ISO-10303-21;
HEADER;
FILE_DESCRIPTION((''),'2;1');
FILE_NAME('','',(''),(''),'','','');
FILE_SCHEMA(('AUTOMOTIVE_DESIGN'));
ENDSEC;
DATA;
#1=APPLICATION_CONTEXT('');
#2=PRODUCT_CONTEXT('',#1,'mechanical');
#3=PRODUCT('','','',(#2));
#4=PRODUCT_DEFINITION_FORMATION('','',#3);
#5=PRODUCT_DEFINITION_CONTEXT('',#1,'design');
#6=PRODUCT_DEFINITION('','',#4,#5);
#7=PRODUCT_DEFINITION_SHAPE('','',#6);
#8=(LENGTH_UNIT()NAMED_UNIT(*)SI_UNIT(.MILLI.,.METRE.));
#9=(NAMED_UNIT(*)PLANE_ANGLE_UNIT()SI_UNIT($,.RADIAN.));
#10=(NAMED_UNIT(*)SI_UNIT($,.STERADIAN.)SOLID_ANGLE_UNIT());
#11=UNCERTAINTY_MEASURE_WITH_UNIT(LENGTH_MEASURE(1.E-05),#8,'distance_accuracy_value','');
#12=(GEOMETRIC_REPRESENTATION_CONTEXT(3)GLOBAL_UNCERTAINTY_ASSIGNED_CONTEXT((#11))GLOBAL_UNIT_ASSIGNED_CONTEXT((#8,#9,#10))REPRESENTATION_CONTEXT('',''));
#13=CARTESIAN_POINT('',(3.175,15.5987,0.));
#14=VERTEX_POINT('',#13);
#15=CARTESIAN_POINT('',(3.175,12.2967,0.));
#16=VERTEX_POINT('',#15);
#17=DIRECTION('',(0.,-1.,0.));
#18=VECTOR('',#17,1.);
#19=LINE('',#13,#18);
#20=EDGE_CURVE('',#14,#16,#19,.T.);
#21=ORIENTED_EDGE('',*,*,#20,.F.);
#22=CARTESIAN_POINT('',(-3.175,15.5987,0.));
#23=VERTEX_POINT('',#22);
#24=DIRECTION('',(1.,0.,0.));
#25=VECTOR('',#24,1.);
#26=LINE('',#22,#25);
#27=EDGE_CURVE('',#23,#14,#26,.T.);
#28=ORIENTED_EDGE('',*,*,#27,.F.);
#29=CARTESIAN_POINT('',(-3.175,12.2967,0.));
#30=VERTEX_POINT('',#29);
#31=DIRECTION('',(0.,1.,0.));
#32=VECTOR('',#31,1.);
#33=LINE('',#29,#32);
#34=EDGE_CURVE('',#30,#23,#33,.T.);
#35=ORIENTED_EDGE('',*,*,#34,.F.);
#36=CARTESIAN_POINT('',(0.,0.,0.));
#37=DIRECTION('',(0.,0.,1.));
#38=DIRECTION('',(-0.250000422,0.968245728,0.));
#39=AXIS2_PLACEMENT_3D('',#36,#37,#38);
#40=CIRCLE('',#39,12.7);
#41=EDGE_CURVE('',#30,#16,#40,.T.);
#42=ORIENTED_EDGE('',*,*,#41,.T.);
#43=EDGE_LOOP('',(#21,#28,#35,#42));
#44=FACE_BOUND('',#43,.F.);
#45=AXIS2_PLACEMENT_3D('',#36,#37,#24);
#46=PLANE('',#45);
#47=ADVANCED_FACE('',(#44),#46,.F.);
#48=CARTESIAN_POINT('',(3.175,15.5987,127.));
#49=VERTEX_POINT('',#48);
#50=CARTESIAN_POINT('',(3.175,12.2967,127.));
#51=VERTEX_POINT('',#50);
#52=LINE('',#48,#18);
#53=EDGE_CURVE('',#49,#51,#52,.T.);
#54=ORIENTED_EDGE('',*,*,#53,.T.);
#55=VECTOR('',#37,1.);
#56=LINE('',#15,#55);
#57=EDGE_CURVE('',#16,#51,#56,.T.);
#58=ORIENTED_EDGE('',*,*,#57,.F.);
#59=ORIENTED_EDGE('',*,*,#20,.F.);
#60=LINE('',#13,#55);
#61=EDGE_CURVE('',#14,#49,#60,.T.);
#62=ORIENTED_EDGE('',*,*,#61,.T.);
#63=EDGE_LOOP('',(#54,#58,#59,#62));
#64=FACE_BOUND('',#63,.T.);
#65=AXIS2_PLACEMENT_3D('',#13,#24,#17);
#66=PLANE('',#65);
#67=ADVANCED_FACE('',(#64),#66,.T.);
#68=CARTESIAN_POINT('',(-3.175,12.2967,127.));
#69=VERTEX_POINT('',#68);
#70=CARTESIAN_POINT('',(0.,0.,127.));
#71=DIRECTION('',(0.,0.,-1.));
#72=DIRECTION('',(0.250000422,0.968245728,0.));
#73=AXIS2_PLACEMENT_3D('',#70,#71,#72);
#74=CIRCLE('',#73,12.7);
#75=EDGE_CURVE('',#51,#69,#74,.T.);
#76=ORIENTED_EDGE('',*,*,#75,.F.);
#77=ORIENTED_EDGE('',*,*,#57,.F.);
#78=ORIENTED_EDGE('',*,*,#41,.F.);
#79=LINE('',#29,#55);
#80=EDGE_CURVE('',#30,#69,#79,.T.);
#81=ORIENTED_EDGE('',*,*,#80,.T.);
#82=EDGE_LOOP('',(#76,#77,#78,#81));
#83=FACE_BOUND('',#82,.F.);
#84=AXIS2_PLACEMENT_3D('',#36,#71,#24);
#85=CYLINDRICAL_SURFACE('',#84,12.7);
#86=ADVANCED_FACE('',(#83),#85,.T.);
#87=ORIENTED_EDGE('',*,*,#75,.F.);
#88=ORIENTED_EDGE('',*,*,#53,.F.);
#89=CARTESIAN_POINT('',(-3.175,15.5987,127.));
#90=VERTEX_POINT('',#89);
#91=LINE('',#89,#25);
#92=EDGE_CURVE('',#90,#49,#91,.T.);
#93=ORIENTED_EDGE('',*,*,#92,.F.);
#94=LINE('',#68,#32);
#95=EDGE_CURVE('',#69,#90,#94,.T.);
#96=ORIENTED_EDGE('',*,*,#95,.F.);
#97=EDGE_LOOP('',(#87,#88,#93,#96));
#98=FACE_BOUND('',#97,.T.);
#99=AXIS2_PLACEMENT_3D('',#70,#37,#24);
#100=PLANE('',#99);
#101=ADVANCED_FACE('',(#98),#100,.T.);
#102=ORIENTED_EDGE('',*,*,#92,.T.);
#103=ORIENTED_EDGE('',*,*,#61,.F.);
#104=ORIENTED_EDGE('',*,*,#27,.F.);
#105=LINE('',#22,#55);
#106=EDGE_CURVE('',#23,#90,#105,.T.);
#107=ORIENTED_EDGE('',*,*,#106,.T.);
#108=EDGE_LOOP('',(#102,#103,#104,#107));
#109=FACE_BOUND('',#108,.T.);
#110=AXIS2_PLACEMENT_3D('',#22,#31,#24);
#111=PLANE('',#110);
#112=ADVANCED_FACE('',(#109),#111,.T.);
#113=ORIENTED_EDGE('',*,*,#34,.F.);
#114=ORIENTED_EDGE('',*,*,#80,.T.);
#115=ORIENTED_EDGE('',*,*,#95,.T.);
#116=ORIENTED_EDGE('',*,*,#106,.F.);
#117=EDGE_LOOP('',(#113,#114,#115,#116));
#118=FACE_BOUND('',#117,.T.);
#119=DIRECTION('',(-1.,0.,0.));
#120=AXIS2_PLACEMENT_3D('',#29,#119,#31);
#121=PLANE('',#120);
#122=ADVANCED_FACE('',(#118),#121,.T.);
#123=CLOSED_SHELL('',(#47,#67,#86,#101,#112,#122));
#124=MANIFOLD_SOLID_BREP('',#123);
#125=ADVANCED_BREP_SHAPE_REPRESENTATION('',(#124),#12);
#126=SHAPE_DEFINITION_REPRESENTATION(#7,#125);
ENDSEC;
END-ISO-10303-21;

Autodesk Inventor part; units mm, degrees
ref_plane "YZ Plane" through (0, 0, 0) normal (1, 0, 0) x (0, 1, 0)
ref_plane "XZ Plane" through (0, 0, 0) normal (0, 1, 0) x (-1, 0, 0)
ref_plane "XY Plane" through (0, 0, 0) normal (0, 0, 1) x (1, 0, 0)
sketch "Sketch1" plane through (0, 0, 0) normal (0, 0, 1) x (1, 0, 0)
  circle A0 centre (0, 0) radius 12.7
  line L0 (-3.175, 12.2967) -> (-3.175, 15.5987)
  line L1 (-3.175, 15.5987) -> (3.175, 15.5987)
  line L2 (3.175, 15.5987) -> (3.175, 12.2967)
  point P0 (0, 15.5987)
  dimension "d0" = 25.4
  dimension "d1" = 6.35
  dimension "d2" = 3.302
extrude "Extrusion1" add sketch "Sketch1" along normal blind 127
ref_plane "Work Plane1" through (0, 12.2967, 0) normal (1, 0, 0) x (0, 0, -1)
ref_plane "Work Plane2" through (0, 0, 0) normal (0.7071, -0.7071, 0) x (0, 0, 1)
ref_plane "Work Plane3" through (0, 0, 0) normal (0.7071, 0.7071, 0) x (0, 0, 1)
equation "\"d3\" = GearShaftL"
equation "\"GearShaftL\" = 127"
properties part number "GearShaft"
